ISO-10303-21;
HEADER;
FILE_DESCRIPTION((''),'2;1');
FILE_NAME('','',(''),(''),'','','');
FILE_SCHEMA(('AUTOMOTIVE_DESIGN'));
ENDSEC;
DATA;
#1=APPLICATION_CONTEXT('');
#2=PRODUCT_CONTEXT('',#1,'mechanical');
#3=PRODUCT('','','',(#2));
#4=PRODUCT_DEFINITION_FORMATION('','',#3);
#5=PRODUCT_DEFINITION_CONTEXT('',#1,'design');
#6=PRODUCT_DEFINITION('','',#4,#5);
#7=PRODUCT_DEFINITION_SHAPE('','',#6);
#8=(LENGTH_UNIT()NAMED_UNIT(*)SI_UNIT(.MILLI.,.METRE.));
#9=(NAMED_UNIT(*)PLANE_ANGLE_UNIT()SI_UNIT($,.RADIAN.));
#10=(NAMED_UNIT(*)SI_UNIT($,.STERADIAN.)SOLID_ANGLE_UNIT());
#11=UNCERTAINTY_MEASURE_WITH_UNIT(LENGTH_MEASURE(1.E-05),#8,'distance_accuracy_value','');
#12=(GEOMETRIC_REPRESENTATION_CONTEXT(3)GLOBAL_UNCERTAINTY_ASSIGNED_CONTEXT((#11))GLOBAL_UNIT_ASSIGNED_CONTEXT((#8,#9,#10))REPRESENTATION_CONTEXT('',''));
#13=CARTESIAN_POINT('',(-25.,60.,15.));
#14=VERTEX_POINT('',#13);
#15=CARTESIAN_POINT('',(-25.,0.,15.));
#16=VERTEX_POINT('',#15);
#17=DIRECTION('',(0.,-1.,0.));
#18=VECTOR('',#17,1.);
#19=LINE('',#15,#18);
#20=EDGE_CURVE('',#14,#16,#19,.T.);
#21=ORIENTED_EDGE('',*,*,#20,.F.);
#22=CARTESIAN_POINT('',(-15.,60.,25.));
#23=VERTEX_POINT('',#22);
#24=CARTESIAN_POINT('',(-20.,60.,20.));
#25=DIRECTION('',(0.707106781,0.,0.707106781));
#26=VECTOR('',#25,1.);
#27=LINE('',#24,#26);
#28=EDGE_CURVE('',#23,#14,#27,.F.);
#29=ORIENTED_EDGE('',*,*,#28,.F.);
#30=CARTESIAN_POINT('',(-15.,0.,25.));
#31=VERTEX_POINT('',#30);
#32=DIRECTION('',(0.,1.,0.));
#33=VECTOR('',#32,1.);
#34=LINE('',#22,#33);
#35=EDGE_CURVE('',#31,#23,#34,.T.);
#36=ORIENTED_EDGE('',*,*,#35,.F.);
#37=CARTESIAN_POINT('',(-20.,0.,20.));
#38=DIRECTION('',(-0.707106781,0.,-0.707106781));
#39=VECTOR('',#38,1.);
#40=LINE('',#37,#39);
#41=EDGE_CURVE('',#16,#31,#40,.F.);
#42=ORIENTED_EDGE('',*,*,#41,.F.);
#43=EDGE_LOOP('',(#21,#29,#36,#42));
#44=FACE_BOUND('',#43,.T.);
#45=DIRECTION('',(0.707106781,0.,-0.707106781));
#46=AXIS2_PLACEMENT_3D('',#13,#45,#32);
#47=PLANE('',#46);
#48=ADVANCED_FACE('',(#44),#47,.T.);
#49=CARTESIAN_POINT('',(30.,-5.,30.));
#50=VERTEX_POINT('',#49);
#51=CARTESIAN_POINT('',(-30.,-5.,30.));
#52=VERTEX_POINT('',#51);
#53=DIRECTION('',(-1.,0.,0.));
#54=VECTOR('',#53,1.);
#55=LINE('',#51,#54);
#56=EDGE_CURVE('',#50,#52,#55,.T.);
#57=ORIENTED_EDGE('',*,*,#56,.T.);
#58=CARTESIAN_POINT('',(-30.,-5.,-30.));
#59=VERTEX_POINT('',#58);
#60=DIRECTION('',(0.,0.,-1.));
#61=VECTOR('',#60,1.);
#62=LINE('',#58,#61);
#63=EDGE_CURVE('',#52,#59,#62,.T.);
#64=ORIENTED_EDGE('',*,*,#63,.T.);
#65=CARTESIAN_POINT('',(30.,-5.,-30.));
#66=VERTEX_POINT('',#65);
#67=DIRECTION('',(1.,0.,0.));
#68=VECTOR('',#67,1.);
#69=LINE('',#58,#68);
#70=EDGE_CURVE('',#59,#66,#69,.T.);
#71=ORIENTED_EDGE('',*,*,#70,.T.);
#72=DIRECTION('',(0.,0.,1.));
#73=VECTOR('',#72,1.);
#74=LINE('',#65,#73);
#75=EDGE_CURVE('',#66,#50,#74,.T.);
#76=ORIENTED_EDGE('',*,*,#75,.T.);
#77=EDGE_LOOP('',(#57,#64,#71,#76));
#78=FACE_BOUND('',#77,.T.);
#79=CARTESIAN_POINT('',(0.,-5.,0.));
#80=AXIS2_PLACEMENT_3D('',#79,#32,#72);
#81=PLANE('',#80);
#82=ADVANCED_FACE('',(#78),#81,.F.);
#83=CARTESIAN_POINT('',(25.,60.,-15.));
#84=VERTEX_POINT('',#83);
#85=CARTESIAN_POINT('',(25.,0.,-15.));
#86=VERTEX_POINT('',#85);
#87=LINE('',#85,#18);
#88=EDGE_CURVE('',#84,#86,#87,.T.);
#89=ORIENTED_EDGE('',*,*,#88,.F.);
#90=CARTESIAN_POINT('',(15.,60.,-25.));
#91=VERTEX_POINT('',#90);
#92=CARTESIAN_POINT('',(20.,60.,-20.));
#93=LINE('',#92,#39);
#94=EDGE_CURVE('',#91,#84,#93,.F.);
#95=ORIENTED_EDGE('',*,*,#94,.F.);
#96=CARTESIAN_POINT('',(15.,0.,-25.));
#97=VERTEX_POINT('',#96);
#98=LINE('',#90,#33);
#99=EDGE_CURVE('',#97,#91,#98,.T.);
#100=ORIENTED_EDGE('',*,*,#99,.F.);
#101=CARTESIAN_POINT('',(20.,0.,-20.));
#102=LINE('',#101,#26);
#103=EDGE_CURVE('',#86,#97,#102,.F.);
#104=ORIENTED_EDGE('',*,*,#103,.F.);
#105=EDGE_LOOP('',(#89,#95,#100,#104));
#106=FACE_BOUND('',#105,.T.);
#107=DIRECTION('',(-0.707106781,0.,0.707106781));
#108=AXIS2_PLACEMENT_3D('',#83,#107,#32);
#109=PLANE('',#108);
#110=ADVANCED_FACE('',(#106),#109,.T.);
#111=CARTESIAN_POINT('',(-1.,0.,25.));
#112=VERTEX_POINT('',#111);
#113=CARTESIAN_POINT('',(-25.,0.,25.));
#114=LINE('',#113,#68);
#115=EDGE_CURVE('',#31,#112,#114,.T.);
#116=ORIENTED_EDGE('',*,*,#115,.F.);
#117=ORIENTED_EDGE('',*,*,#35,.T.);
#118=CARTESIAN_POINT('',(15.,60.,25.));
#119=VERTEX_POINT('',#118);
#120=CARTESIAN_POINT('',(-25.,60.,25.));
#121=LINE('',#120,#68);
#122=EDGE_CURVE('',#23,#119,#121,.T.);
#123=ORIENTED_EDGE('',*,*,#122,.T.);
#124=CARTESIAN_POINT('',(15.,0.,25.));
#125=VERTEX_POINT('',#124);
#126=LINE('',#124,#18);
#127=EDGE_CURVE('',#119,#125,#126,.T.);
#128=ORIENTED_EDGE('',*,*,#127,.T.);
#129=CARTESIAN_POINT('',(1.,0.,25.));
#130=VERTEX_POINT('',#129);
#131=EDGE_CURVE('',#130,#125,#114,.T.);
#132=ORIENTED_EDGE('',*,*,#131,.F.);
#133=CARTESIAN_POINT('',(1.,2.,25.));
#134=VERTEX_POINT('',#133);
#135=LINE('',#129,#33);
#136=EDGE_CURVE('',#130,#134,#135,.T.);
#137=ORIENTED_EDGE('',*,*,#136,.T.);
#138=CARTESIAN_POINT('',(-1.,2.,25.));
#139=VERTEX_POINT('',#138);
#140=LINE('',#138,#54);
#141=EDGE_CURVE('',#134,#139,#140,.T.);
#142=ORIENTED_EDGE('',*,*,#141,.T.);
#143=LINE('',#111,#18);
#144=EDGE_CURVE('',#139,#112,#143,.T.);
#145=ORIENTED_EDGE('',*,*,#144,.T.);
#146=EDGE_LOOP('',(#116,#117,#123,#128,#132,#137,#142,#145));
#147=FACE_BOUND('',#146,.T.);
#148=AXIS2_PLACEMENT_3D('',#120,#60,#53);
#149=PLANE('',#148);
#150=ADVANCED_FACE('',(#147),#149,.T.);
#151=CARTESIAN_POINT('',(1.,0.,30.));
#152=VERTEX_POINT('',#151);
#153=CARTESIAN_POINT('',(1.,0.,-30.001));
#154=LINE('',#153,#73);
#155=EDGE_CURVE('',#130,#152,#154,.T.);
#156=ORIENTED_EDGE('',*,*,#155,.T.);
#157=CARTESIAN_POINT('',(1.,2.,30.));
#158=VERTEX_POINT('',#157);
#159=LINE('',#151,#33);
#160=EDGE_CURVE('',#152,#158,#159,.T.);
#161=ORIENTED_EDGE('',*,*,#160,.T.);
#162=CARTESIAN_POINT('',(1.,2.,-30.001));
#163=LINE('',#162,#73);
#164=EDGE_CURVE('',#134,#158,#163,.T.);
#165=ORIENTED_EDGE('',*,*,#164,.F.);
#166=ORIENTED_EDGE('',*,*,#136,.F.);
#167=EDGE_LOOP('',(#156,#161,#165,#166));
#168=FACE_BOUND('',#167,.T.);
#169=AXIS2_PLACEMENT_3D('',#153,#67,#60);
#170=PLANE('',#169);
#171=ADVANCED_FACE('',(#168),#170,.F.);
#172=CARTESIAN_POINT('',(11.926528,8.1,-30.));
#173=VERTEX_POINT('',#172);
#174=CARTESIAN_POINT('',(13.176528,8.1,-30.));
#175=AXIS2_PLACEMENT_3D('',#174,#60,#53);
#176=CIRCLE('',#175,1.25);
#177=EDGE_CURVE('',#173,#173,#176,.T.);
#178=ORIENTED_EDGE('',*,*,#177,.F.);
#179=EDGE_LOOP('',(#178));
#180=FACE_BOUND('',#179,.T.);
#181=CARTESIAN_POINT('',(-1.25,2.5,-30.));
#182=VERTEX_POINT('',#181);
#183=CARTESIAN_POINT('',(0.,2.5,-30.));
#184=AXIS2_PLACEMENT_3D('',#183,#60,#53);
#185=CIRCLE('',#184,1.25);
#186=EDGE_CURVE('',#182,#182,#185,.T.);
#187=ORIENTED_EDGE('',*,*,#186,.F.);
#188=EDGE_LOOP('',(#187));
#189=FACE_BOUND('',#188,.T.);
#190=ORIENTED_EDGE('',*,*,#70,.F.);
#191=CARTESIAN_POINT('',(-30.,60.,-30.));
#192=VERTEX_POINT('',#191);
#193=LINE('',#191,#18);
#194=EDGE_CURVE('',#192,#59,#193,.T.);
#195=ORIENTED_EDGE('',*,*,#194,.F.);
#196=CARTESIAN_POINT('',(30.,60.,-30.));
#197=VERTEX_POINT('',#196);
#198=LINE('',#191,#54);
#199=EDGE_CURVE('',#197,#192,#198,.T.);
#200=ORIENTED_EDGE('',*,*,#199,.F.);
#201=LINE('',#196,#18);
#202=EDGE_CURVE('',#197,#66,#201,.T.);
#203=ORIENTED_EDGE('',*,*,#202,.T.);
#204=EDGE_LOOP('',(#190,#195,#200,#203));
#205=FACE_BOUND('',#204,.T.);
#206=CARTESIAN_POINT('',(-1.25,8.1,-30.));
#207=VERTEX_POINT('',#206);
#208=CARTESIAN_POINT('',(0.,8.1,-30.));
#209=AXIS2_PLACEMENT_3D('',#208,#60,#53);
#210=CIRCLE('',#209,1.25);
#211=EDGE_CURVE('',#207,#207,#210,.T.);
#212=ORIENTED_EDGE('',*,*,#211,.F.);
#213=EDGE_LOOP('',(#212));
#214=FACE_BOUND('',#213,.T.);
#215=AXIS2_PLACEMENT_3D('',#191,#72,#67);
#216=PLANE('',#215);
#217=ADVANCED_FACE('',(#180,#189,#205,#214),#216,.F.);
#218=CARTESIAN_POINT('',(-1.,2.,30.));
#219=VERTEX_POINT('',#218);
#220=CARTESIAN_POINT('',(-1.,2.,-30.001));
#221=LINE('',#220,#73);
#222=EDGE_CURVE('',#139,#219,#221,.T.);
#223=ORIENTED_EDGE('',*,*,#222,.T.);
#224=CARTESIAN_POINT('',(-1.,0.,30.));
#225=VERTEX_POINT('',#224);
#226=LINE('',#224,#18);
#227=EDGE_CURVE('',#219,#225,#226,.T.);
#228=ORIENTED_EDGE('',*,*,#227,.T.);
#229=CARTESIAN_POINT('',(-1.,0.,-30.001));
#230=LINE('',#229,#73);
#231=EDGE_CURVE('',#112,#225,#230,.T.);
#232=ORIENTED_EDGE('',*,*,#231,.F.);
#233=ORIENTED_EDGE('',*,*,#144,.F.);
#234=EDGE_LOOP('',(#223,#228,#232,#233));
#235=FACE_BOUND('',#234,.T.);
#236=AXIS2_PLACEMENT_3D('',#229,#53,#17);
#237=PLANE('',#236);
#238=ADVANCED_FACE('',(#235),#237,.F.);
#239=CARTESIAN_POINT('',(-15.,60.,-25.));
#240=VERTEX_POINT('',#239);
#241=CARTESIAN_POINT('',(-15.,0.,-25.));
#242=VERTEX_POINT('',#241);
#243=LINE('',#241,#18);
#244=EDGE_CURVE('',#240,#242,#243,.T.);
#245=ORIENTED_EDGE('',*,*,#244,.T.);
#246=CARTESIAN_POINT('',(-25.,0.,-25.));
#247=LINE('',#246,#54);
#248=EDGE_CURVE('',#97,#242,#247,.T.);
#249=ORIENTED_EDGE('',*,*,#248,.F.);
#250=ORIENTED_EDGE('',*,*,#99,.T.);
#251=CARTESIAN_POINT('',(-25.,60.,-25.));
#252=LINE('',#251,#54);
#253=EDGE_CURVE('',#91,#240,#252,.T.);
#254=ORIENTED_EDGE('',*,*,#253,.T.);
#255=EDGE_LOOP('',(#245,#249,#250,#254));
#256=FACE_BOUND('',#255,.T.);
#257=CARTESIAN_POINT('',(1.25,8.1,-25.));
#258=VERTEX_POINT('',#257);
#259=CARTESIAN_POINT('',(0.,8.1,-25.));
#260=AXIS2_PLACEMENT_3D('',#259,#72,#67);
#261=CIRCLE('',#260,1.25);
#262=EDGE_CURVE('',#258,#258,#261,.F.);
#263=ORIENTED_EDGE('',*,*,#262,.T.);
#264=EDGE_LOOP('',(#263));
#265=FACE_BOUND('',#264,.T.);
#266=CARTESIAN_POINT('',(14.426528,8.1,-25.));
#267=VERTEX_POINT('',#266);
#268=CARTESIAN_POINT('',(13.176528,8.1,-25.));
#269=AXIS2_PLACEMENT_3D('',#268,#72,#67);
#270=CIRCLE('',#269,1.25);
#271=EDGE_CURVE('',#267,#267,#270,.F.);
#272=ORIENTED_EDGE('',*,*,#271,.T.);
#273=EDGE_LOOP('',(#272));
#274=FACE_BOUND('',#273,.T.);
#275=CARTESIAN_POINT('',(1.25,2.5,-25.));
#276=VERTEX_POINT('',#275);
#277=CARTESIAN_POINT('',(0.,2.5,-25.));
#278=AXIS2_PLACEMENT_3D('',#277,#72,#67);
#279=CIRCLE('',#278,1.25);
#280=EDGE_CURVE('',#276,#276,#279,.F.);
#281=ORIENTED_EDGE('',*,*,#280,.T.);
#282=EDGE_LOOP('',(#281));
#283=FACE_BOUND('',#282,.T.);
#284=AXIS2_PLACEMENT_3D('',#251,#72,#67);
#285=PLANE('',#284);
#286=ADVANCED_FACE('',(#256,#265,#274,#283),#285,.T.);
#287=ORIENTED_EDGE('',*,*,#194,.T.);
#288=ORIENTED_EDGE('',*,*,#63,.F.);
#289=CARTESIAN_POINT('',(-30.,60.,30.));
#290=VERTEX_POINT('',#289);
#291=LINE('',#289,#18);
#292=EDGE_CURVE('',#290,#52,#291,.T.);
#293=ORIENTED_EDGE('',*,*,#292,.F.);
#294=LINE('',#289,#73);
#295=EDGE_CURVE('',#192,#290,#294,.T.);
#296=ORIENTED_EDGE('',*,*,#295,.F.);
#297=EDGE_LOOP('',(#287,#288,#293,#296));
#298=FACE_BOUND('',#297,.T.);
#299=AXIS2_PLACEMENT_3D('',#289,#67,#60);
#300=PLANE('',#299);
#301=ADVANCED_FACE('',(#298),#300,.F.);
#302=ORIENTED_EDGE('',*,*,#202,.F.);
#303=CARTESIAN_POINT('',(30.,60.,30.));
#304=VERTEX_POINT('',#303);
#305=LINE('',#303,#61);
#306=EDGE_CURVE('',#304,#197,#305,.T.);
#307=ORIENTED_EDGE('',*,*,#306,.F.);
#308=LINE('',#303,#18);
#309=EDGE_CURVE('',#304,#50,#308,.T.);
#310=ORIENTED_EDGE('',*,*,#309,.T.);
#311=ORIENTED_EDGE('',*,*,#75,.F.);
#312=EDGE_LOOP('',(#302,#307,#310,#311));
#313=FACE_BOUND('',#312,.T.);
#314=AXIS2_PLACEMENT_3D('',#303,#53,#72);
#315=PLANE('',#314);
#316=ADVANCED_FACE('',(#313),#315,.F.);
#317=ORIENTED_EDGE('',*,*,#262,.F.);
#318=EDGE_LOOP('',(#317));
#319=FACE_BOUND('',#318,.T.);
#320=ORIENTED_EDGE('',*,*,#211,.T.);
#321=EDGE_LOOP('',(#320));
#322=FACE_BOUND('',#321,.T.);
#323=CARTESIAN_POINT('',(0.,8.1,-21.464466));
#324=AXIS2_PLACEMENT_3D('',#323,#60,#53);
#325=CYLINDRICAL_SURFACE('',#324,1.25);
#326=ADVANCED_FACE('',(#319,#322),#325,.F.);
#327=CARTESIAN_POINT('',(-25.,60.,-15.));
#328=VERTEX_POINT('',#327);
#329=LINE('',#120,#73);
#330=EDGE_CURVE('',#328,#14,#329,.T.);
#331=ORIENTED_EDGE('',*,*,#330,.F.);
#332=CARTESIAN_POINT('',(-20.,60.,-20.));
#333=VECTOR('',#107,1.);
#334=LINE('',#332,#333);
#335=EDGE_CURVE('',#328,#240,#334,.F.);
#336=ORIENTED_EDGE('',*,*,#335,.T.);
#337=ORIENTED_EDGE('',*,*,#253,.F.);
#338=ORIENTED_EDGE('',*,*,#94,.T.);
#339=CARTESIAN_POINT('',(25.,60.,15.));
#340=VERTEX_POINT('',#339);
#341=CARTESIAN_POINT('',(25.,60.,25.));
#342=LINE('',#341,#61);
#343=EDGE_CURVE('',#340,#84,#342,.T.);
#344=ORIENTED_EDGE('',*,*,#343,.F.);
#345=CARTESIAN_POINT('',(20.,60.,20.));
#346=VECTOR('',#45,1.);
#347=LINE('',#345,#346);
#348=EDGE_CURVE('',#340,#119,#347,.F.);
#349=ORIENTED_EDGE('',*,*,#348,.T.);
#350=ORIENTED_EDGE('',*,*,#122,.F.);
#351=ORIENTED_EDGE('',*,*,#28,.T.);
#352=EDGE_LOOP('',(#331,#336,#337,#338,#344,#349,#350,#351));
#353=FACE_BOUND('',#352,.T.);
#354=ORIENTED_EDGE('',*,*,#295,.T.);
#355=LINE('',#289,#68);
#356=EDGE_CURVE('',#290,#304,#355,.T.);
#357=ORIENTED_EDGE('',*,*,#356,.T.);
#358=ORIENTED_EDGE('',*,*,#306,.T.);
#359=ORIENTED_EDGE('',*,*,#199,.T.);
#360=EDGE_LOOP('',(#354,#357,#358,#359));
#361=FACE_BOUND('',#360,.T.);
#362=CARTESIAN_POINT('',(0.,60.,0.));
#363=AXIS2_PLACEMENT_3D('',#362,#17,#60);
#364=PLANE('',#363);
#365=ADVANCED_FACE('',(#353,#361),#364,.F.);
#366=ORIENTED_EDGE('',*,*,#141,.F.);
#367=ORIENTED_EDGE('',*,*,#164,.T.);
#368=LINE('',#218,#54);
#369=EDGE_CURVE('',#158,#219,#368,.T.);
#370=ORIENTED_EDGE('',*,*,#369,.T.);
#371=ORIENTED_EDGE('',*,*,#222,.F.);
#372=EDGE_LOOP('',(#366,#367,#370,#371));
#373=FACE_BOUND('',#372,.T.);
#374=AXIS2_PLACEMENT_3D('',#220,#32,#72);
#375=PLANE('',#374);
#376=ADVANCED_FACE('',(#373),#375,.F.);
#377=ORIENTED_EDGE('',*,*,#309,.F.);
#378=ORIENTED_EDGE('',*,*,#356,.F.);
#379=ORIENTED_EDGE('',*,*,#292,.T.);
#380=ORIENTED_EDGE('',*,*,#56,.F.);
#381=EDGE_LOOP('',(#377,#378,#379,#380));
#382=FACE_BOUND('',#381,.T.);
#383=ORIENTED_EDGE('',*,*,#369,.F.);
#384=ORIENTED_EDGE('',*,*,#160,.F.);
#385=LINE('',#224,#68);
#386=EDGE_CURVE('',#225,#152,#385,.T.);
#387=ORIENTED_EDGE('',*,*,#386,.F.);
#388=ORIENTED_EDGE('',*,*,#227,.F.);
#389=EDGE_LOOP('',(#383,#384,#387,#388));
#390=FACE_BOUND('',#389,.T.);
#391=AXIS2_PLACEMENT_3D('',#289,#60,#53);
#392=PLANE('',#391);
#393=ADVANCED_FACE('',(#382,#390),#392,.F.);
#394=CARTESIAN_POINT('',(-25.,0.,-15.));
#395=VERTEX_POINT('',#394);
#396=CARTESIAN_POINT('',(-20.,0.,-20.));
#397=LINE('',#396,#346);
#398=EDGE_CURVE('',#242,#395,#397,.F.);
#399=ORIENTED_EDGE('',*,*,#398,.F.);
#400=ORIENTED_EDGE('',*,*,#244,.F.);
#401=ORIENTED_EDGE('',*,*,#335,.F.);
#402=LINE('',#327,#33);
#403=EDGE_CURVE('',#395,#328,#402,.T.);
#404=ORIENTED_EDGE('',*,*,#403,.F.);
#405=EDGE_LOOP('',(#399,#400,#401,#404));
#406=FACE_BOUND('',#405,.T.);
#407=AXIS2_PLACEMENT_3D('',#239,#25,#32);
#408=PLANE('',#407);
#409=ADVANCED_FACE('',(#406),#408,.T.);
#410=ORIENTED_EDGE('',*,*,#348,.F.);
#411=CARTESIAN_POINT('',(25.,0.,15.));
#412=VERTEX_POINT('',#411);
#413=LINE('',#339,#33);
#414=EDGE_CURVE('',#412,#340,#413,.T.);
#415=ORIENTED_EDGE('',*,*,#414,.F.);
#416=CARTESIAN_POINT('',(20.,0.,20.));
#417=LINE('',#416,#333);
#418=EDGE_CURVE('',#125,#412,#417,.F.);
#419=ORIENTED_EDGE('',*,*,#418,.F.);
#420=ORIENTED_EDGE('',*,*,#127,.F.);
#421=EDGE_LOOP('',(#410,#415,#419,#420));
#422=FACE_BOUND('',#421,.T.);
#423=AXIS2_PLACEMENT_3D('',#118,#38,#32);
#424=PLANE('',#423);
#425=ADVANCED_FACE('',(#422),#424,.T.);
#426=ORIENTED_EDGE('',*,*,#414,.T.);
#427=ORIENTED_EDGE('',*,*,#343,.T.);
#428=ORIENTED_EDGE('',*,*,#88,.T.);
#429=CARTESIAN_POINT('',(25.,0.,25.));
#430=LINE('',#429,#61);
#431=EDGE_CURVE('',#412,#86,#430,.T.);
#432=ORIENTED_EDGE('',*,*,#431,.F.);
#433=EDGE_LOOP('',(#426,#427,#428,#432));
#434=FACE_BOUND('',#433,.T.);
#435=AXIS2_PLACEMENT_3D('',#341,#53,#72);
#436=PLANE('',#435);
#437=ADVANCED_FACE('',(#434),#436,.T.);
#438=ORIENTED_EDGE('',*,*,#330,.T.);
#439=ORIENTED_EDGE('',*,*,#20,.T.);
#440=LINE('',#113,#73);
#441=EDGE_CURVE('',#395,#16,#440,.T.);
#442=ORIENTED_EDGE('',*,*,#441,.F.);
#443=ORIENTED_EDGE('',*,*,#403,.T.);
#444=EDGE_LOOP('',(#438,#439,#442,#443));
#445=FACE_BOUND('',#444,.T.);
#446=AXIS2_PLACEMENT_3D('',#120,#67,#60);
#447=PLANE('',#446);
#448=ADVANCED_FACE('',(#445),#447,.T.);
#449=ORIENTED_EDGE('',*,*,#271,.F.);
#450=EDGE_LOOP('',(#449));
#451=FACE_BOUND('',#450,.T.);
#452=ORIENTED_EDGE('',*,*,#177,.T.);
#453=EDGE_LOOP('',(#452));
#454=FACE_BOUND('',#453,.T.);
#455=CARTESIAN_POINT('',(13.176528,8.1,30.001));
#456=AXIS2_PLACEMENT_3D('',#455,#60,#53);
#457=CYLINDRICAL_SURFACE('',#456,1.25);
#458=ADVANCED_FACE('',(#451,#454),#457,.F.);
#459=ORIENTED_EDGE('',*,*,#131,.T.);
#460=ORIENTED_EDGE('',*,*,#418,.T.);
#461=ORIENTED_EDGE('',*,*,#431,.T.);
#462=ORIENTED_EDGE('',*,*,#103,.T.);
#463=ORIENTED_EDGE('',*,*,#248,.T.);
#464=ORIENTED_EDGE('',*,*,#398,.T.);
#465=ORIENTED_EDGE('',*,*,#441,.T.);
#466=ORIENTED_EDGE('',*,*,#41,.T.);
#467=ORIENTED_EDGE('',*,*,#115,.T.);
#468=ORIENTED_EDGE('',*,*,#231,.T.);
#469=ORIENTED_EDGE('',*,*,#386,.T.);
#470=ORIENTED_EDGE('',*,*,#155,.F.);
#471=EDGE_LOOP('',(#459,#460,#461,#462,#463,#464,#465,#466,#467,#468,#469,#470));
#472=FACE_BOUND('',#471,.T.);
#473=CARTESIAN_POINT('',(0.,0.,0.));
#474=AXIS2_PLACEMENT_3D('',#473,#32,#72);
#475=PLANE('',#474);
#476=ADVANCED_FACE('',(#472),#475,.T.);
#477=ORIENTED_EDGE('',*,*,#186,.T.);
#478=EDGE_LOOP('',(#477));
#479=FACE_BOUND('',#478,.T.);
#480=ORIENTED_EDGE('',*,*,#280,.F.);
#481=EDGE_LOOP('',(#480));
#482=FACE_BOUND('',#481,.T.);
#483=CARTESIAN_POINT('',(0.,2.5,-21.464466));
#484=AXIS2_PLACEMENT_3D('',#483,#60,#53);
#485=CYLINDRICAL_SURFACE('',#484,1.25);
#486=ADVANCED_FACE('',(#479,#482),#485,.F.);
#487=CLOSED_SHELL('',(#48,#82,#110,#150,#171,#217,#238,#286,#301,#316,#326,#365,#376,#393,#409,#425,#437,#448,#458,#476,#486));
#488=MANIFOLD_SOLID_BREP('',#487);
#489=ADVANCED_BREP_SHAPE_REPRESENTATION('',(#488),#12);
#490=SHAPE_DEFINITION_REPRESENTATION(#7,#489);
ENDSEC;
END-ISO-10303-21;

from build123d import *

# Parameters (mm, degrees)
SKETCH1_W           = 60
SKETCH1_H           = 60
SKETCH1_W_2         = 50
SKETCH1_H_2         = 50
BOSS_EXTRUDE1_DEPTH = 60
SKETCH2_W           = 60
SKETCH2_H           = 60
BOSS_EXTRUDE2_DEPTH = 5
SKETCH3_R           = 1.25
CUT_EXTRUDE1_DEPTH  = 5
CUT_EXTRUDE2_REACH  = 62
SKETCH4_R           = 1.25
CHAMFER1_SIZE       = 10
CUT_EXTRUDE4_REACH  = 62
SKETCH6_W           = 2
SKETCH6_H           = 2


with BuildPart() as part:
    # Sketch1 → Boss-Extrude1 (new body)
    with BuildSketch(Plane(origin=(0, 0, 0), x_dir=(1, 0, 0), z_dir=(0, 1, 0))):
        Rectangle(SKETCH1_W, SKETCH1_H)
        Rectangle(SKETCH1_W_2, SKETCH1_H_2, mode=Mode.SUBTRACT)
    extrude(amount=BOSS_EXTRUDE1_DEPTH)

    # Sketch2 → Boss-Extrude2 (add)
    with BuildSketch(Plane.XZ):
        Rectangle(SKETCH2_W, SKETCH2_H)
    extrude(amount=BOSS_EXTRUDE2_DEPTH)

    # Sketch3 → Cut-Extrude1 (cut)
    with BuildSketch(Plane(origin=(0, 0, -30), x_dir=(-1, 0, 0), z_dir=(0, 0, -1))):
        with Locations((0, 2.5)):
            Circle(SKETCH3_R)
        with Locations((0, 8.1)):
            Circle(SKETCH3_R)
    extrude(amount=-CUT_EXTRUDE1_DEPTH, mode=Mode.SUBTRACT)

    # Sketch4 → Cut-Extrude2 (cut, up to next)
    with BuildSketch(Plane(origin=(0, 0, -30), x_dir=(-1, 0, 0), z_dir=(0, 0, -1)), mode=Mode.PRIVATE) as cut_extrude2_sk1:
        with Locations((-13.176528006, 8.1)):
            Circle(SKETCH4_R)
    cut_extrude2_tool1 = extrude(cut_extrude2_sk1.sketch, amount=-CUT_EXTRUDE2_REACH, mode=Mode.PRIVATE) & part.part
    add(cut_extrude2_tool1.solids().sort_by_distance((13.176528, 8.1, -30))[0], mode=Mode.SUBTRACT)

    # Chamfer1
    chamfer1_edges = [part.edges().sort_by_distance(p)[0] for p in [
        (25, 30, 25),
        (25, 30, -25),
        (-25, 30, -25),
        (-25, 30, 25),
    ]]
    chamfer(chamfer1_edges, length=CHAMFER1_SIZE)

    # Sketch6 → Cut-Extrude4 (cut, up to next)
    with BuildSketch(Plane.XY.offset(30), mode=Mode.PRIVATE) as cut_extrude4_sk1:
        with Locations((0, 1)):
            Rectangle(SKETCH6_W, SKETCH6_H)
    cut_extrude4_tool1 = extrude(cut_extrude4_sk1.sketch, amount=-CUT_EXTRUDE4_REACH, mode=Mode.PRIVATE) & part.part
    add(cut_extrude4_tool1.solids().sort_by_distance((0, 1, 30))[0], mode=Mode.SUBTRACT)


solid = part.part
